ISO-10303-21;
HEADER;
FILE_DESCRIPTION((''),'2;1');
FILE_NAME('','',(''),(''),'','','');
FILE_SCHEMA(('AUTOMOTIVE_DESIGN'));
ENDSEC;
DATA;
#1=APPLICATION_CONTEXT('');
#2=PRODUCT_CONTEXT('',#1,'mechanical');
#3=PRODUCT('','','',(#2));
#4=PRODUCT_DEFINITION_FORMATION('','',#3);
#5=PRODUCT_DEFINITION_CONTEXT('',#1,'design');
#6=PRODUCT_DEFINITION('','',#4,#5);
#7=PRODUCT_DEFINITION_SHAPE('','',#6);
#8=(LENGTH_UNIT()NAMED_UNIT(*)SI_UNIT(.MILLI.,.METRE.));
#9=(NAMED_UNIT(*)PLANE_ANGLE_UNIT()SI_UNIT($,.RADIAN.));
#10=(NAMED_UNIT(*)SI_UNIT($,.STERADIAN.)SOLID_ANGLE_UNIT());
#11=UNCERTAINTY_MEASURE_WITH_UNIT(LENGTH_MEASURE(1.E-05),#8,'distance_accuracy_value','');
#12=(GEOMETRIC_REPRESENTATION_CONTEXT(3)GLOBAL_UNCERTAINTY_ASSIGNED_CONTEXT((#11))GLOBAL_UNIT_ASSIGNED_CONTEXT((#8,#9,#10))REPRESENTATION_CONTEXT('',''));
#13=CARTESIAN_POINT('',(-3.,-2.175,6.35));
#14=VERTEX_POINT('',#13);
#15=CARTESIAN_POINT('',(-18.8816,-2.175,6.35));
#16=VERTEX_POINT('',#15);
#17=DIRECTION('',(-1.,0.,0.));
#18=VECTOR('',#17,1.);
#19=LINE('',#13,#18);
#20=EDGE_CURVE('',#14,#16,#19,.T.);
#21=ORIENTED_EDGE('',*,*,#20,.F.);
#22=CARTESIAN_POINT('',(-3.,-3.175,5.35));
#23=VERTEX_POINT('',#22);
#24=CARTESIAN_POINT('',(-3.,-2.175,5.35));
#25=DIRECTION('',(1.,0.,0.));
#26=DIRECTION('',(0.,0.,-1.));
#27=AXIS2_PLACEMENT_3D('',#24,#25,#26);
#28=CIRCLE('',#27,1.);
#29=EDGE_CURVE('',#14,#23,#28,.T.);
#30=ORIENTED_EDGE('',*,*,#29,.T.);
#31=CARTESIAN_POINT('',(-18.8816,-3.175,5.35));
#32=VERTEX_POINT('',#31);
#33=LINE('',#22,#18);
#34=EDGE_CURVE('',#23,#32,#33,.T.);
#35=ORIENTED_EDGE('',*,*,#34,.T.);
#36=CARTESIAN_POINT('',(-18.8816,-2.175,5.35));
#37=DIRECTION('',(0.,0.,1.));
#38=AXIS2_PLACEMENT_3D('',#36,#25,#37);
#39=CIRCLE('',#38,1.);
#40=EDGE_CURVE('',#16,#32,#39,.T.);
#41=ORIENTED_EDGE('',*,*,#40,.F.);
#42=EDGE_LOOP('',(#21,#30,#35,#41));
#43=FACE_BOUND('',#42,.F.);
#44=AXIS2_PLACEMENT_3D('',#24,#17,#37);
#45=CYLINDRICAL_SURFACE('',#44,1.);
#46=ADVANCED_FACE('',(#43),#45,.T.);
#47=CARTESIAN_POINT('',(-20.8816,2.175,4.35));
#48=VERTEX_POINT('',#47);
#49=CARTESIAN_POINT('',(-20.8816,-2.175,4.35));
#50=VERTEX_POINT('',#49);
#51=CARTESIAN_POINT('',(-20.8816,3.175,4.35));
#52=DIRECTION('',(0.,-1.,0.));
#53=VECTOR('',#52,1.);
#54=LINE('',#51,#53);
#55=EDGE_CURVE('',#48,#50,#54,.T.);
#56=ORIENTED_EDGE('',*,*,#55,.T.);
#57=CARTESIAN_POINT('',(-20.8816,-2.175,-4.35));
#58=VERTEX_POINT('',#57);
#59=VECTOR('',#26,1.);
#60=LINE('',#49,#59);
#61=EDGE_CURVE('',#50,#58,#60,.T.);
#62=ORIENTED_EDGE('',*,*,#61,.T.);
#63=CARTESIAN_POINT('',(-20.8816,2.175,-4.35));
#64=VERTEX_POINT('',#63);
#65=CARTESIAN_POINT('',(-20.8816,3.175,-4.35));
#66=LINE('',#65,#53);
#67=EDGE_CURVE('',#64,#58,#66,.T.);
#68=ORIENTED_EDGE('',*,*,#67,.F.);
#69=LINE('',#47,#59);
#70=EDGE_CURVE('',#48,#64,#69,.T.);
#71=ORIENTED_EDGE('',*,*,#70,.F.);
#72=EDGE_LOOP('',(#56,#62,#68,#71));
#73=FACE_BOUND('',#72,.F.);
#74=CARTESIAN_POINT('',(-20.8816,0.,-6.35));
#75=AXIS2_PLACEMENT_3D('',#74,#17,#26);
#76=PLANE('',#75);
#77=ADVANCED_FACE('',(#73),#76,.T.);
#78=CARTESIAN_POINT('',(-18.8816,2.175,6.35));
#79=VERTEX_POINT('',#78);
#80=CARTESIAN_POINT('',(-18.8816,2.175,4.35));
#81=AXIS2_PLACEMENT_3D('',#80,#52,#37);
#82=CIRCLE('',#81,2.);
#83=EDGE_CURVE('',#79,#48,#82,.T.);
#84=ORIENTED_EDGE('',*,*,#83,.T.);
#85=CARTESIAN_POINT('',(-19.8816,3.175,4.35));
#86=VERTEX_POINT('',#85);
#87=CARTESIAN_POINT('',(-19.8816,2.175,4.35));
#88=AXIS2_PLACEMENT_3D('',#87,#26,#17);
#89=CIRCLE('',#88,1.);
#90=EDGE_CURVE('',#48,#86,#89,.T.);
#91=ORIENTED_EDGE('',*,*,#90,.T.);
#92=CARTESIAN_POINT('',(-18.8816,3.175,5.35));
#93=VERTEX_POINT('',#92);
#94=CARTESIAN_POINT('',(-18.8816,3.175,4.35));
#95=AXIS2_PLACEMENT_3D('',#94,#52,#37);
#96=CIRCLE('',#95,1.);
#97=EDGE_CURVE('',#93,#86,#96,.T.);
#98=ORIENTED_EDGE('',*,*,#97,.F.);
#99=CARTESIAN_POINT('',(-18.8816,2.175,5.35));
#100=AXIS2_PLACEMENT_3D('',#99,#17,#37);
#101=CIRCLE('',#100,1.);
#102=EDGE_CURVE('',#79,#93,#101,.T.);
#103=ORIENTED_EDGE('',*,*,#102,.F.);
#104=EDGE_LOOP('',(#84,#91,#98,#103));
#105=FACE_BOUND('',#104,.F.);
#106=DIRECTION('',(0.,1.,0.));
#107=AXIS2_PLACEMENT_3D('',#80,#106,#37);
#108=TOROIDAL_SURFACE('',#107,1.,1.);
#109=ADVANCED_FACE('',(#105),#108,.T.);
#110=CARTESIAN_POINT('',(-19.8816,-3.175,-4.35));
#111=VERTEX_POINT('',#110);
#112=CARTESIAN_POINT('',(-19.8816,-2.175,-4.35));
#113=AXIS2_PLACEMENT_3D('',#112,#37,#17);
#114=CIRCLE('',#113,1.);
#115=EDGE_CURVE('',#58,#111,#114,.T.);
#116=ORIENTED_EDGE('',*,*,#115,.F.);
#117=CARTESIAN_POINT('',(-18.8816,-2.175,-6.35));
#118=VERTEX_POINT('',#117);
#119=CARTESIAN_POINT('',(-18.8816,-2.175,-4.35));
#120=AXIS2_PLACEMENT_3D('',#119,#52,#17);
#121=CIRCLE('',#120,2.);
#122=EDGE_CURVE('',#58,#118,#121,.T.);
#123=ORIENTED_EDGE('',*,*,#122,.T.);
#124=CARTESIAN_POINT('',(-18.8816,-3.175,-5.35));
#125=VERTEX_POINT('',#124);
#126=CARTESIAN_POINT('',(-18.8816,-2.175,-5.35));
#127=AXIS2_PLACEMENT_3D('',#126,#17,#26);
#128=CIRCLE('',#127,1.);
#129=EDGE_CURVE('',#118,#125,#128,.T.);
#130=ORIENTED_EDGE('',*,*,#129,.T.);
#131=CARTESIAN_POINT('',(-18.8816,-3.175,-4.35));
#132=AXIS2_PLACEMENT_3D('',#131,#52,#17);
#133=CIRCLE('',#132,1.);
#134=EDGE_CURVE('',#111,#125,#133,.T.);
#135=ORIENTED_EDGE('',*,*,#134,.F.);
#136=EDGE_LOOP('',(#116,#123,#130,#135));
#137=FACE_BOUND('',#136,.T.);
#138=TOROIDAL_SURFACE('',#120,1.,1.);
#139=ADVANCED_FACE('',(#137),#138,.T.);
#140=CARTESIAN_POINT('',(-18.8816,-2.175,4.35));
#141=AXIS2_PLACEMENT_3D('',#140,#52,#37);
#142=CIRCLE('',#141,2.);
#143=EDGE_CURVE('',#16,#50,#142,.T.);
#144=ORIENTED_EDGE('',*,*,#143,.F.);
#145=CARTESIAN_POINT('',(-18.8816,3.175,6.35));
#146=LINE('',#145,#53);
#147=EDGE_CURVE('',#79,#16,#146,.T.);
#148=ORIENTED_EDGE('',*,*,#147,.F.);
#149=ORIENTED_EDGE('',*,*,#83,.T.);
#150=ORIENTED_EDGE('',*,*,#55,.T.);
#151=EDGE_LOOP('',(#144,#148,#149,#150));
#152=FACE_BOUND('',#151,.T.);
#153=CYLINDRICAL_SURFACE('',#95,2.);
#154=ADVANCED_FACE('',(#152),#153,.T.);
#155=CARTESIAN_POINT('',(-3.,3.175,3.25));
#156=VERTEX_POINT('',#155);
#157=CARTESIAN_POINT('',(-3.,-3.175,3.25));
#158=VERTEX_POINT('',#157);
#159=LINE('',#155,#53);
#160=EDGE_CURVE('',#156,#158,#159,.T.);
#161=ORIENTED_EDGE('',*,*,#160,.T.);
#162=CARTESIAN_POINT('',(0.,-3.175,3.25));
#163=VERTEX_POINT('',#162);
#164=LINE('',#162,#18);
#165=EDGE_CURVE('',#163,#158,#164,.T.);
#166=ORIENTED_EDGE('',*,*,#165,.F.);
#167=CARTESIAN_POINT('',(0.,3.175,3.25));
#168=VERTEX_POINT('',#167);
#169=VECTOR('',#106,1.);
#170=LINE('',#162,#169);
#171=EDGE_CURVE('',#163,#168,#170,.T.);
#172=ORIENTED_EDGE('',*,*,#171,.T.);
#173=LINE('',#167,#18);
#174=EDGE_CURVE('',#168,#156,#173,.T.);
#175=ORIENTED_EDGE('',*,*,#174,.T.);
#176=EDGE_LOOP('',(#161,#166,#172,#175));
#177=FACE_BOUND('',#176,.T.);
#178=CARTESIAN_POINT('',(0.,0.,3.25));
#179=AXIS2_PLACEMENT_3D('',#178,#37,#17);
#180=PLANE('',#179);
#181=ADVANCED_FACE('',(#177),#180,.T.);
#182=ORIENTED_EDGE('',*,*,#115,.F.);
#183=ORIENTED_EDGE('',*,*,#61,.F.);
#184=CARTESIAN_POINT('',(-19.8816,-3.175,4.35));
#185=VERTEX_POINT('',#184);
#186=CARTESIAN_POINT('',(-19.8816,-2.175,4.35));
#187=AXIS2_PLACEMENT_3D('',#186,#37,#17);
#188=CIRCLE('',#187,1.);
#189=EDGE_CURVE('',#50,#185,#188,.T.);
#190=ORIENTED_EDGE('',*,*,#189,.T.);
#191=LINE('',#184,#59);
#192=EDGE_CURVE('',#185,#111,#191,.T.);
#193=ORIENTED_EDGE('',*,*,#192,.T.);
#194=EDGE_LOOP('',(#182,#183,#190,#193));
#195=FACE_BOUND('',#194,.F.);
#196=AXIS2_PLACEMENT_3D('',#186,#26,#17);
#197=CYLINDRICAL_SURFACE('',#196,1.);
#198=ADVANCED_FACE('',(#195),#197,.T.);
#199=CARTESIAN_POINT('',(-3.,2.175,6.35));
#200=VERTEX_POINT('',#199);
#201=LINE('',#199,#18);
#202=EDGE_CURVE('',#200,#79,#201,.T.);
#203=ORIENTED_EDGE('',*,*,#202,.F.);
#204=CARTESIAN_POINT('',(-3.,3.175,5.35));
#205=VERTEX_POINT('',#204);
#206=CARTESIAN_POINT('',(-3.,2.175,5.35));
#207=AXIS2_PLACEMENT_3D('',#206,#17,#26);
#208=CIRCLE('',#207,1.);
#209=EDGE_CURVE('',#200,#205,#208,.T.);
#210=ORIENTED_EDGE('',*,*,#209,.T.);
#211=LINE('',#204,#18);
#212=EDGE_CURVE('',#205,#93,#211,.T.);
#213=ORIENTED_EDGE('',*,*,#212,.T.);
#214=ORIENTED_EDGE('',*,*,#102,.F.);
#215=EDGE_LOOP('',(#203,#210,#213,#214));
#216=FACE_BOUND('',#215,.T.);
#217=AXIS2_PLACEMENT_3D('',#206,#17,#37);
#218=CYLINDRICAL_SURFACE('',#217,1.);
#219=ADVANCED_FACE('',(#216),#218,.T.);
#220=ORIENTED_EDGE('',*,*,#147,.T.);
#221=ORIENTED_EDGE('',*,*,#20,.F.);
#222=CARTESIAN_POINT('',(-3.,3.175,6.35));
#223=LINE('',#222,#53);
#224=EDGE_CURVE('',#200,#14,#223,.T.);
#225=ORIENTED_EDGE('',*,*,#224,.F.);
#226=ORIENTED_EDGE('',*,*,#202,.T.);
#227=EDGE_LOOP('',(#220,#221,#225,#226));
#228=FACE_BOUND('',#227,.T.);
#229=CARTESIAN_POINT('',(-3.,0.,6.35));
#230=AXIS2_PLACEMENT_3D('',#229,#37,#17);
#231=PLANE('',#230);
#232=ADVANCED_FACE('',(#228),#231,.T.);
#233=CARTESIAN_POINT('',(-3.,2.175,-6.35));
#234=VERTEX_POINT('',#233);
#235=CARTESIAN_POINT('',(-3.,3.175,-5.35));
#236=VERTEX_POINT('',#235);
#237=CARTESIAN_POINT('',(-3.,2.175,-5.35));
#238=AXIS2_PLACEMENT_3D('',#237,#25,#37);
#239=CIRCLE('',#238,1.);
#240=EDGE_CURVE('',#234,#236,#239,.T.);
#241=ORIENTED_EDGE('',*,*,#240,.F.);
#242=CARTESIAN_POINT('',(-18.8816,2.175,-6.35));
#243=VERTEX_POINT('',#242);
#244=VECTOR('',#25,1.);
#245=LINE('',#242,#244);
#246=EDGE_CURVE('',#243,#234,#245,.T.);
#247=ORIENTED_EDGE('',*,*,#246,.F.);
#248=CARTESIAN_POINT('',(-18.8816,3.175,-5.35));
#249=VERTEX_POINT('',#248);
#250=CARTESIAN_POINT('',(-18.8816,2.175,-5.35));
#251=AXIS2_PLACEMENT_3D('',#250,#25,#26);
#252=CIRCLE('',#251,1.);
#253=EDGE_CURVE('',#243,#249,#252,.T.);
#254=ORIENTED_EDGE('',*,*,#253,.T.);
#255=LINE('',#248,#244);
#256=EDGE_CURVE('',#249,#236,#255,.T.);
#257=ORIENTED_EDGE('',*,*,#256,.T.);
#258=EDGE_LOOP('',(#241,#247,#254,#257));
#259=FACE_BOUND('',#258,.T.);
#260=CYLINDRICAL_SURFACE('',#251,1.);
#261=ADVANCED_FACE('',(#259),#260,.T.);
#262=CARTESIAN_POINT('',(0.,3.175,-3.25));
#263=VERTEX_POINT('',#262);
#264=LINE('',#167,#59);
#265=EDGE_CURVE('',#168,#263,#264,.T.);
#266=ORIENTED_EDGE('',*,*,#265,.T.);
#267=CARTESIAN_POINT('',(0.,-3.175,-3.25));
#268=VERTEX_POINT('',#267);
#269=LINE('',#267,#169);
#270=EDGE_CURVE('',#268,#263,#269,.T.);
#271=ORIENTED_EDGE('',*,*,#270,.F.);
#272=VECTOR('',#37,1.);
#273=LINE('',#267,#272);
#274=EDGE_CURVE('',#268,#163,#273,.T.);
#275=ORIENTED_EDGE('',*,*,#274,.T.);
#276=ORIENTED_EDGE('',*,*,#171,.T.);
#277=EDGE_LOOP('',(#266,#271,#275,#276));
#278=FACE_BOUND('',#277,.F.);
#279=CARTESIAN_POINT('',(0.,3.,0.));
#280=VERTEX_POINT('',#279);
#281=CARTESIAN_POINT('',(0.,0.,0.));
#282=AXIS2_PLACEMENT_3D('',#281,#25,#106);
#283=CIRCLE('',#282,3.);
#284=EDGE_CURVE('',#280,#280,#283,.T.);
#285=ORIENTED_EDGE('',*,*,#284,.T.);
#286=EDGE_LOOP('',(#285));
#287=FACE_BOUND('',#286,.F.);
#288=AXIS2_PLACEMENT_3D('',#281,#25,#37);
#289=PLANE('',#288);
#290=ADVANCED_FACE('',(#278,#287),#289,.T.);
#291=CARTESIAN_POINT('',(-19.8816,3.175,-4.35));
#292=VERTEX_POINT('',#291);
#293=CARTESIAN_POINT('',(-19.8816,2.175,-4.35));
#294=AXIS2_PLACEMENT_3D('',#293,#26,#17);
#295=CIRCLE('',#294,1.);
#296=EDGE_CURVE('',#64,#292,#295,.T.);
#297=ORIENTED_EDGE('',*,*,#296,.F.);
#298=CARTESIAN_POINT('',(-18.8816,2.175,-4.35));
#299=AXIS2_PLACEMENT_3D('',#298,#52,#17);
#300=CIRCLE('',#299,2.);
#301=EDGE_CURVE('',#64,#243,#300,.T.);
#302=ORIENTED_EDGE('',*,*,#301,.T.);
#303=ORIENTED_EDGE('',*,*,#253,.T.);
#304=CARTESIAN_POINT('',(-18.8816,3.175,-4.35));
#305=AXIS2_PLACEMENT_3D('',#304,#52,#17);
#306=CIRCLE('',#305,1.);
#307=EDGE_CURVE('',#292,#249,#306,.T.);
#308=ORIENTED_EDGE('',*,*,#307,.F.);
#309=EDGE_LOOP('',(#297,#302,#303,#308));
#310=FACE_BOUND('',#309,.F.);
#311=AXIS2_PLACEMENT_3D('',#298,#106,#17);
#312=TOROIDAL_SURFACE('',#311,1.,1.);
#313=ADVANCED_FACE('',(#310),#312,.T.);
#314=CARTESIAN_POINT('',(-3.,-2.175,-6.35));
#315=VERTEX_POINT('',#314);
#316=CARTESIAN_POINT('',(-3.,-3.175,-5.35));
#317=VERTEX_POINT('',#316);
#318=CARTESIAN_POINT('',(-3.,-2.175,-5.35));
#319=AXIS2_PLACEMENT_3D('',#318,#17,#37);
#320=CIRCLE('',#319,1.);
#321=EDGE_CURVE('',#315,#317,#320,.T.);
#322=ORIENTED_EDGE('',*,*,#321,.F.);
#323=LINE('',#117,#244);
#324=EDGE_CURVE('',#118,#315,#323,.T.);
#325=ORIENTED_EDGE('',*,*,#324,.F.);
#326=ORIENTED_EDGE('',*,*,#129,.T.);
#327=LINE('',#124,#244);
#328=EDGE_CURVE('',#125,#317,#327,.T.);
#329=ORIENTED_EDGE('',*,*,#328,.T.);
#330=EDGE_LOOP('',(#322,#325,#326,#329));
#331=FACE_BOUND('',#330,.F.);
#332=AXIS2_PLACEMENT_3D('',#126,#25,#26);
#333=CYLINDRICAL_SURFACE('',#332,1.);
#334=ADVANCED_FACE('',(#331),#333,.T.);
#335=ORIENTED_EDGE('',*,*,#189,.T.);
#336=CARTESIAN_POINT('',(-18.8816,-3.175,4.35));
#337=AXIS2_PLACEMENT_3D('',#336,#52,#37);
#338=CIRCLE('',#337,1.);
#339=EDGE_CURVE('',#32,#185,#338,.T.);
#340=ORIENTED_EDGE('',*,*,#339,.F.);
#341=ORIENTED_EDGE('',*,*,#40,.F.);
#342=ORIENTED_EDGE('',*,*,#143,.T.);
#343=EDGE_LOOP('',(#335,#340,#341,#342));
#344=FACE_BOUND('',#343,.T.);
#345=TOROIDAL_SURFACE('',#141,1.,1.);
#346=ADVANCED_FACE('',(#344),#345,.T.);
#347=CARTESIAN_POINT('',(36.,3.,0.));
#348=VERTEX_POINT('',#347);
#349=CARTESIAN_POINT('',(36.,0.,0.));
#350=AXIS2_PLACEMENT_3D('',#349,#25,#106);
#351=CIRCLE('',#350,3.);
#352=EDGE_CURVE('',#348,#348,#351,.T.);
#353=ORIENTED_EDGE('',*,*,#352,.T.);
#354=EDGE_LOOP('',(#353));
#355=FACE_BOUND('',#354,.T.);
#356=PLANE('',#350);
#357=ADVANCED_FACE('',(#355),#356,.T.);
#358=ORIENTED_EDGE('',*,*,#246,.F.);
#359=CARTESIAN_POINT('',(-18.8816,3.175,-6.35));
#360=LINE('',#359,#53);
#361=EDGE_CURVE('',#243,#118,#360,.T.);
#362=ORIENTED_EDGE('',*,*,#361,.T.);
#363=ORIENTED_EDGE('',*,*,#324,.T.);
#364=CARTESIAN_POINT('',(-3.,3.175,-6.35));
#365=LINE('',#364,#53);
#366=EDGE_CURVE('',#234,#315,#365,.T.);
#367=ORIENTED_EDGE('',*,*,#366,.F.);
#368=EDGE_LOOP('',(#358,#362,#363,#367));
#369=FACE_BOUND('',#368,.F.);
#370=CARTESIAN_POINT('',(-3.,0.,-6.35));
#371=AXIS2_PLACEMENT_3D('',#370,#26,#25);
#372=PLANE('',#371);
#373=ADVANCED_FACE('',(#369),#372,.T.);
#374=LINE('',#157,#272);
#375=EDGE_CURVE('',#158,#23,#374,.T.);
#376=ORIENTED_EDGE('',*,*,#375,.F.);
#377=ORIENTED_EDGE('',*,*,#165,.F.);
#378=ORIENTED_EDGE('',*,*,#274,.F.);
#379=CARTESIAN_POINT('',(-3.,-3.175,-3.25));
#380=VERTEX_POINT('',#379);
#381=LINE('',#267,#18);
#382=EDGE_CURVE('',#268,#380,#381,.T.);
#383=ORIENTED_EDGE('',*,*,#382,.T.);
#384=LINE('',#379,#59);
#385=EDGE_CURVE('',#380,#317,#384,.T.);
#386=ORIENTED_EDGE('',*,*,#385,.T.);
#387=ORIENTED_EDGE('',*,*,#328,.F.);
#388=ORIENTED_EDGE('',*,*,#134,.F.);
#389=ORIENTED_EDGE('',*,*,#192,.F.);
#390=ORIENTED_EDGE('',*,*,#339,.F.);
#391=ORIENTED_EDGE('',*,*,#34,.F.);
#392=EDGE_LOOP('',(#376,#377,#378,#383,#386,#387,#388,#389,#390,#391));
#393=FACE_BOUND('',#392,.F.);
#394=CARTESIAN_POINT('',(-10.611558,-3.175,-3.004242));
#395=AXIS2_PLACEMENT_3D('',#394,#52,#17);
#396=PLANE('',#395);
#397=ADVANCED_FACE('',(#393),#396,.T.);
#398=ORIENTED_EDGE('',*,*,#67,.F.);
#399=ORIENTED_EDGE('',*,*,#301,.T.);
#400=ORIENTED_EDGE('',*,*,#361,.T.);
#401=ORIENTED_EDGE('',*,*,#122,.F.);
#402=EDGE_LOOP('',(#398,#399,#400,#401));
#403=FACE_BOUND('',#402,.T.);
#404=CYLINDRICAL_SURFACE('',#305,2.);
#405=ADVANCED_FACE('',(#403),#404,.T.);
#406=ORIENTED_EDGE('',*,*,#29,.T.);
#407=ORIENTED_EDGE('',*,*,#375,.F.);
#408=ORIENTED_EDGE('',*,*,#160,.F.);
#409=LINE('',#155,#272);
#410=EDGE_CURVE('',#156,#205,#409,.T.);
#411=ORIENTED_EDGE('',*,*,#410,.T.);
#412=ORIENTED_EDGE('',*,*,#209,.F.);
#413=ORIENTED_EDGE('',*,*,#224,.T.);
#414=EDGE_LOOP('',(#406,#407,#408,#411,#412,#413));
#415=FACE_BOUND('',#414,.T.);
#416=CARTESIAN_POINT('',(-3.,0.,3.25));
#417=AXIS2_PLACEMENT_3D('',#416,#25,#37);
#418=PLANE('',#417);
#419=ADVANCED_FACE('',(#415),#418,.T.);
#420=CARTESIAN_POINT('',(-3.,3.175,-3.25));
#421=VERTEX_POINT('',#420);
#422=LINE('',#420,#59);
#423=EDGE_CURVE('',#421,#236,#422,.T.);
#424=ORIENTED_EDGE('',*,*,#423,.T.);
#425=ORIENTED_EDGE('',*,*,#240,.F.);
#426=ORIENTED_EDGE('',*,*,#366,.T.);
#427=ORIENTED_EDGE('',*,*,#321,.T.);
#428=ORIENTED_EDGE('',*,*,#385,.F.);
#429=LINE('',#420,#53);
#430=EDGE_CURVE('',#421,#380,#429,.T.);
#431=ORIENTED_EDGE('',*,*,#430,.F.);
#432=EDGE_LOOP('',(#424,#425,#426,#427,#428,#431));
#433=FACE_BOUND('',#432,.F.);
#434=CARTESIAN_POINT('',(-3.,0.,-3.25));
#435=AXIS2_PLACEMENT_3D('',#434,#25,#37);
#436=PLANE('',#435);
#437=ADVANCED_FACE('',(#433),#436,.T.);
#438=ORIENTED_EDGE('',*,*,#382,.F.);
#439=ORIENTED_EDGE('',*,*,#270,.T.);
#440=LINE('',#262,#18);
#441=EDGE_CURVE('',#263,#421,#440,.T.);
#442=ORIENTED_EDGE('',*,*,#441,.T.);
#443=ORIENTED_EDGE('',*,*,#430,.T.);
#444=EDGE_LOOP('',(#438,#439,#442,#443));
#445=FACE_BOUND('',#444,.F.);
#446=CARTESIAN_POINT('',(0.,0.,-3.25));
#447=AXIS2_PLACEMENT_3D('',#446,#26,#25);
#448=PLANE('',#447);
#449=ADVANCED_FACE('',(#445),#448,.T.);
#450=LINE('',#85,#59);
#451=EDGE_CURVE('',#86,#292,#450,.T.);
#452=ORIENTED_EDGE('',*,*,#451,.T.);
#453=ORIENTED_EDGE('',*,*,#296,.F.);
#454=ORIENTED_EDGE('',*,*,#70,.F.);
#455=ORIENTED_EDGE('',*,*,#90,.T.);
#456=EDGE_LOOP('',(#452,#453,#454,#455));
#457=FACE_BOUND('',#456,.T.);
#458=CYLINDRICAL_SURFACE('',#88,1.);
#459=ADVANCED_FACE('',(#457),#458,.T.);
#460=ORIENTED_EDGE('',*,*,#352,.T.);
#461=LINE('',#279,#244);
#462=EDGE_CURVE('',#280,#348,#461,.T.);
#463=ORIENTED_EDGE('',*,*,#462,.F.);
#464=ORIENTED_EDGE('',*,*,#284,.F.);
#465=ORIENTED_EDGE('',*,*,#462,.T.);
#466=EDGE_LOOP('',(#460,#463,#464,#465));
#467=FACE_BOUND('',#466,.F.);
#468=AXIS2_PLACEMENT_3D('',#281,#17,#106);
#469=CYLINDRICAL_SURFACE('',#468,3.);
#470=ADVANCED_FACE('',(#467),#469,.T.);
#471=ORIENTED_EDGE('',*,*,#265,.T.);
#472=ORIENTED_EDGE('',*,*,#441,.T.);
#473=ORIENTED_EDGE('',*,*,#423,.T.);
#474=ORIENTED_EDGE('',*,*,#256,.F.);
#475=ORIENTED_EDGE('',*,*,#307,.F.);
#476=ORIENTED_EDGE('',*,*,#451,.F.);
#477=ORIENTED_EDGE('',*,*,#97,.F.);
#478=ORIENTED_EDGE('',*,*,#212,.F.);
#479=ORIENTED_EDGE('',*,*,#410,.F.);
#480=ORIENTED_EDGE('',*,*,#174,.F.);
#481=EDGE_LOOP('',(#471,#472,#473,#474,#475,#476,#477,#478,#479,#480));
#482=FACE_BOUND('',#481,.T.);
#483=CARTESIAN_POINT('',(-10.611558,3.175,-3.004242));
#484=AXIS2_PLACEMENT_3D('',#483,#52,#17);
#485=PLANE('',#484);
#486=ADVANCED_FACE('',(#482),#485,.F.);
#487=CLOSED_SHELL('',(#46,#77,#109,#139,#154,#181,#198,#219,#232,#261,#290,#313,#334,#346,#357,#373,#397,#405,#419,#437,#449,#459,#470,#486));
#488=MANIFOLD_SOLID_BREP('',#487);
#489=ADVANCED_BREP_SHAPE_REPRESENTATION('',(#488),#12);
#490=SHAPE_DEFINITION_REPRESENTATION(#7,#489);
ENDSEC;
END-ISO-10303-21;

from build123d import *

# Parameters (mm, degrees)
PAD002_DEPTH = 3.175
FILLET001_R  = 2
FILLET002_R  = 1
SKETCH010_R  = 3
PAD003_DEPTH = 36


with BuildPart() as part:
    # Sketch009 → Pad002 (new body, symmetric)
    with BuildSketch(Plane.XZ):
        Polygon((0, 3.25), (-3, 3.25), (-3, 6.35), (-20.8816, 6.35), (-20.8816, 0), (0, 0), align=None)
    pad002 = extrude(amount=PAD002_DEPTH, both=True)

    # Mirrored: Pad002 across Sketch009 H_Axis
    add(pad002.mirror(Plane(origin=(0, 0, 0), x_dir=(0, -1, 0), z_dir=(0, 0, 1))))

    # Fillet001
    fillet001_edges = [part.edges().sort_by_distance(p)[0] for p in [
        (-20.8816, 0, -6.35),
        (-20.8816, 0, 6.35),
    ]]
    fillet(fillet001_edges, radius=FILLET001_R)

    # Fillet002
    fillet002_edges = [part.edges().sort_by_distance(p)[0] for p in [
        (-10.9408, 3.175, 6.35),
        (-10.9408, -3.175, 6.35),
    ]]
    fillet(fillet002_edges, radius=FILLET002_R)

    # Sketch010 → Pad003 (join)
    with BuildSketch(Plane.YZ):
        Circle(SKETCH010_R)
    extrude(amount=PAD003_DEPTH)


solid = part.part
